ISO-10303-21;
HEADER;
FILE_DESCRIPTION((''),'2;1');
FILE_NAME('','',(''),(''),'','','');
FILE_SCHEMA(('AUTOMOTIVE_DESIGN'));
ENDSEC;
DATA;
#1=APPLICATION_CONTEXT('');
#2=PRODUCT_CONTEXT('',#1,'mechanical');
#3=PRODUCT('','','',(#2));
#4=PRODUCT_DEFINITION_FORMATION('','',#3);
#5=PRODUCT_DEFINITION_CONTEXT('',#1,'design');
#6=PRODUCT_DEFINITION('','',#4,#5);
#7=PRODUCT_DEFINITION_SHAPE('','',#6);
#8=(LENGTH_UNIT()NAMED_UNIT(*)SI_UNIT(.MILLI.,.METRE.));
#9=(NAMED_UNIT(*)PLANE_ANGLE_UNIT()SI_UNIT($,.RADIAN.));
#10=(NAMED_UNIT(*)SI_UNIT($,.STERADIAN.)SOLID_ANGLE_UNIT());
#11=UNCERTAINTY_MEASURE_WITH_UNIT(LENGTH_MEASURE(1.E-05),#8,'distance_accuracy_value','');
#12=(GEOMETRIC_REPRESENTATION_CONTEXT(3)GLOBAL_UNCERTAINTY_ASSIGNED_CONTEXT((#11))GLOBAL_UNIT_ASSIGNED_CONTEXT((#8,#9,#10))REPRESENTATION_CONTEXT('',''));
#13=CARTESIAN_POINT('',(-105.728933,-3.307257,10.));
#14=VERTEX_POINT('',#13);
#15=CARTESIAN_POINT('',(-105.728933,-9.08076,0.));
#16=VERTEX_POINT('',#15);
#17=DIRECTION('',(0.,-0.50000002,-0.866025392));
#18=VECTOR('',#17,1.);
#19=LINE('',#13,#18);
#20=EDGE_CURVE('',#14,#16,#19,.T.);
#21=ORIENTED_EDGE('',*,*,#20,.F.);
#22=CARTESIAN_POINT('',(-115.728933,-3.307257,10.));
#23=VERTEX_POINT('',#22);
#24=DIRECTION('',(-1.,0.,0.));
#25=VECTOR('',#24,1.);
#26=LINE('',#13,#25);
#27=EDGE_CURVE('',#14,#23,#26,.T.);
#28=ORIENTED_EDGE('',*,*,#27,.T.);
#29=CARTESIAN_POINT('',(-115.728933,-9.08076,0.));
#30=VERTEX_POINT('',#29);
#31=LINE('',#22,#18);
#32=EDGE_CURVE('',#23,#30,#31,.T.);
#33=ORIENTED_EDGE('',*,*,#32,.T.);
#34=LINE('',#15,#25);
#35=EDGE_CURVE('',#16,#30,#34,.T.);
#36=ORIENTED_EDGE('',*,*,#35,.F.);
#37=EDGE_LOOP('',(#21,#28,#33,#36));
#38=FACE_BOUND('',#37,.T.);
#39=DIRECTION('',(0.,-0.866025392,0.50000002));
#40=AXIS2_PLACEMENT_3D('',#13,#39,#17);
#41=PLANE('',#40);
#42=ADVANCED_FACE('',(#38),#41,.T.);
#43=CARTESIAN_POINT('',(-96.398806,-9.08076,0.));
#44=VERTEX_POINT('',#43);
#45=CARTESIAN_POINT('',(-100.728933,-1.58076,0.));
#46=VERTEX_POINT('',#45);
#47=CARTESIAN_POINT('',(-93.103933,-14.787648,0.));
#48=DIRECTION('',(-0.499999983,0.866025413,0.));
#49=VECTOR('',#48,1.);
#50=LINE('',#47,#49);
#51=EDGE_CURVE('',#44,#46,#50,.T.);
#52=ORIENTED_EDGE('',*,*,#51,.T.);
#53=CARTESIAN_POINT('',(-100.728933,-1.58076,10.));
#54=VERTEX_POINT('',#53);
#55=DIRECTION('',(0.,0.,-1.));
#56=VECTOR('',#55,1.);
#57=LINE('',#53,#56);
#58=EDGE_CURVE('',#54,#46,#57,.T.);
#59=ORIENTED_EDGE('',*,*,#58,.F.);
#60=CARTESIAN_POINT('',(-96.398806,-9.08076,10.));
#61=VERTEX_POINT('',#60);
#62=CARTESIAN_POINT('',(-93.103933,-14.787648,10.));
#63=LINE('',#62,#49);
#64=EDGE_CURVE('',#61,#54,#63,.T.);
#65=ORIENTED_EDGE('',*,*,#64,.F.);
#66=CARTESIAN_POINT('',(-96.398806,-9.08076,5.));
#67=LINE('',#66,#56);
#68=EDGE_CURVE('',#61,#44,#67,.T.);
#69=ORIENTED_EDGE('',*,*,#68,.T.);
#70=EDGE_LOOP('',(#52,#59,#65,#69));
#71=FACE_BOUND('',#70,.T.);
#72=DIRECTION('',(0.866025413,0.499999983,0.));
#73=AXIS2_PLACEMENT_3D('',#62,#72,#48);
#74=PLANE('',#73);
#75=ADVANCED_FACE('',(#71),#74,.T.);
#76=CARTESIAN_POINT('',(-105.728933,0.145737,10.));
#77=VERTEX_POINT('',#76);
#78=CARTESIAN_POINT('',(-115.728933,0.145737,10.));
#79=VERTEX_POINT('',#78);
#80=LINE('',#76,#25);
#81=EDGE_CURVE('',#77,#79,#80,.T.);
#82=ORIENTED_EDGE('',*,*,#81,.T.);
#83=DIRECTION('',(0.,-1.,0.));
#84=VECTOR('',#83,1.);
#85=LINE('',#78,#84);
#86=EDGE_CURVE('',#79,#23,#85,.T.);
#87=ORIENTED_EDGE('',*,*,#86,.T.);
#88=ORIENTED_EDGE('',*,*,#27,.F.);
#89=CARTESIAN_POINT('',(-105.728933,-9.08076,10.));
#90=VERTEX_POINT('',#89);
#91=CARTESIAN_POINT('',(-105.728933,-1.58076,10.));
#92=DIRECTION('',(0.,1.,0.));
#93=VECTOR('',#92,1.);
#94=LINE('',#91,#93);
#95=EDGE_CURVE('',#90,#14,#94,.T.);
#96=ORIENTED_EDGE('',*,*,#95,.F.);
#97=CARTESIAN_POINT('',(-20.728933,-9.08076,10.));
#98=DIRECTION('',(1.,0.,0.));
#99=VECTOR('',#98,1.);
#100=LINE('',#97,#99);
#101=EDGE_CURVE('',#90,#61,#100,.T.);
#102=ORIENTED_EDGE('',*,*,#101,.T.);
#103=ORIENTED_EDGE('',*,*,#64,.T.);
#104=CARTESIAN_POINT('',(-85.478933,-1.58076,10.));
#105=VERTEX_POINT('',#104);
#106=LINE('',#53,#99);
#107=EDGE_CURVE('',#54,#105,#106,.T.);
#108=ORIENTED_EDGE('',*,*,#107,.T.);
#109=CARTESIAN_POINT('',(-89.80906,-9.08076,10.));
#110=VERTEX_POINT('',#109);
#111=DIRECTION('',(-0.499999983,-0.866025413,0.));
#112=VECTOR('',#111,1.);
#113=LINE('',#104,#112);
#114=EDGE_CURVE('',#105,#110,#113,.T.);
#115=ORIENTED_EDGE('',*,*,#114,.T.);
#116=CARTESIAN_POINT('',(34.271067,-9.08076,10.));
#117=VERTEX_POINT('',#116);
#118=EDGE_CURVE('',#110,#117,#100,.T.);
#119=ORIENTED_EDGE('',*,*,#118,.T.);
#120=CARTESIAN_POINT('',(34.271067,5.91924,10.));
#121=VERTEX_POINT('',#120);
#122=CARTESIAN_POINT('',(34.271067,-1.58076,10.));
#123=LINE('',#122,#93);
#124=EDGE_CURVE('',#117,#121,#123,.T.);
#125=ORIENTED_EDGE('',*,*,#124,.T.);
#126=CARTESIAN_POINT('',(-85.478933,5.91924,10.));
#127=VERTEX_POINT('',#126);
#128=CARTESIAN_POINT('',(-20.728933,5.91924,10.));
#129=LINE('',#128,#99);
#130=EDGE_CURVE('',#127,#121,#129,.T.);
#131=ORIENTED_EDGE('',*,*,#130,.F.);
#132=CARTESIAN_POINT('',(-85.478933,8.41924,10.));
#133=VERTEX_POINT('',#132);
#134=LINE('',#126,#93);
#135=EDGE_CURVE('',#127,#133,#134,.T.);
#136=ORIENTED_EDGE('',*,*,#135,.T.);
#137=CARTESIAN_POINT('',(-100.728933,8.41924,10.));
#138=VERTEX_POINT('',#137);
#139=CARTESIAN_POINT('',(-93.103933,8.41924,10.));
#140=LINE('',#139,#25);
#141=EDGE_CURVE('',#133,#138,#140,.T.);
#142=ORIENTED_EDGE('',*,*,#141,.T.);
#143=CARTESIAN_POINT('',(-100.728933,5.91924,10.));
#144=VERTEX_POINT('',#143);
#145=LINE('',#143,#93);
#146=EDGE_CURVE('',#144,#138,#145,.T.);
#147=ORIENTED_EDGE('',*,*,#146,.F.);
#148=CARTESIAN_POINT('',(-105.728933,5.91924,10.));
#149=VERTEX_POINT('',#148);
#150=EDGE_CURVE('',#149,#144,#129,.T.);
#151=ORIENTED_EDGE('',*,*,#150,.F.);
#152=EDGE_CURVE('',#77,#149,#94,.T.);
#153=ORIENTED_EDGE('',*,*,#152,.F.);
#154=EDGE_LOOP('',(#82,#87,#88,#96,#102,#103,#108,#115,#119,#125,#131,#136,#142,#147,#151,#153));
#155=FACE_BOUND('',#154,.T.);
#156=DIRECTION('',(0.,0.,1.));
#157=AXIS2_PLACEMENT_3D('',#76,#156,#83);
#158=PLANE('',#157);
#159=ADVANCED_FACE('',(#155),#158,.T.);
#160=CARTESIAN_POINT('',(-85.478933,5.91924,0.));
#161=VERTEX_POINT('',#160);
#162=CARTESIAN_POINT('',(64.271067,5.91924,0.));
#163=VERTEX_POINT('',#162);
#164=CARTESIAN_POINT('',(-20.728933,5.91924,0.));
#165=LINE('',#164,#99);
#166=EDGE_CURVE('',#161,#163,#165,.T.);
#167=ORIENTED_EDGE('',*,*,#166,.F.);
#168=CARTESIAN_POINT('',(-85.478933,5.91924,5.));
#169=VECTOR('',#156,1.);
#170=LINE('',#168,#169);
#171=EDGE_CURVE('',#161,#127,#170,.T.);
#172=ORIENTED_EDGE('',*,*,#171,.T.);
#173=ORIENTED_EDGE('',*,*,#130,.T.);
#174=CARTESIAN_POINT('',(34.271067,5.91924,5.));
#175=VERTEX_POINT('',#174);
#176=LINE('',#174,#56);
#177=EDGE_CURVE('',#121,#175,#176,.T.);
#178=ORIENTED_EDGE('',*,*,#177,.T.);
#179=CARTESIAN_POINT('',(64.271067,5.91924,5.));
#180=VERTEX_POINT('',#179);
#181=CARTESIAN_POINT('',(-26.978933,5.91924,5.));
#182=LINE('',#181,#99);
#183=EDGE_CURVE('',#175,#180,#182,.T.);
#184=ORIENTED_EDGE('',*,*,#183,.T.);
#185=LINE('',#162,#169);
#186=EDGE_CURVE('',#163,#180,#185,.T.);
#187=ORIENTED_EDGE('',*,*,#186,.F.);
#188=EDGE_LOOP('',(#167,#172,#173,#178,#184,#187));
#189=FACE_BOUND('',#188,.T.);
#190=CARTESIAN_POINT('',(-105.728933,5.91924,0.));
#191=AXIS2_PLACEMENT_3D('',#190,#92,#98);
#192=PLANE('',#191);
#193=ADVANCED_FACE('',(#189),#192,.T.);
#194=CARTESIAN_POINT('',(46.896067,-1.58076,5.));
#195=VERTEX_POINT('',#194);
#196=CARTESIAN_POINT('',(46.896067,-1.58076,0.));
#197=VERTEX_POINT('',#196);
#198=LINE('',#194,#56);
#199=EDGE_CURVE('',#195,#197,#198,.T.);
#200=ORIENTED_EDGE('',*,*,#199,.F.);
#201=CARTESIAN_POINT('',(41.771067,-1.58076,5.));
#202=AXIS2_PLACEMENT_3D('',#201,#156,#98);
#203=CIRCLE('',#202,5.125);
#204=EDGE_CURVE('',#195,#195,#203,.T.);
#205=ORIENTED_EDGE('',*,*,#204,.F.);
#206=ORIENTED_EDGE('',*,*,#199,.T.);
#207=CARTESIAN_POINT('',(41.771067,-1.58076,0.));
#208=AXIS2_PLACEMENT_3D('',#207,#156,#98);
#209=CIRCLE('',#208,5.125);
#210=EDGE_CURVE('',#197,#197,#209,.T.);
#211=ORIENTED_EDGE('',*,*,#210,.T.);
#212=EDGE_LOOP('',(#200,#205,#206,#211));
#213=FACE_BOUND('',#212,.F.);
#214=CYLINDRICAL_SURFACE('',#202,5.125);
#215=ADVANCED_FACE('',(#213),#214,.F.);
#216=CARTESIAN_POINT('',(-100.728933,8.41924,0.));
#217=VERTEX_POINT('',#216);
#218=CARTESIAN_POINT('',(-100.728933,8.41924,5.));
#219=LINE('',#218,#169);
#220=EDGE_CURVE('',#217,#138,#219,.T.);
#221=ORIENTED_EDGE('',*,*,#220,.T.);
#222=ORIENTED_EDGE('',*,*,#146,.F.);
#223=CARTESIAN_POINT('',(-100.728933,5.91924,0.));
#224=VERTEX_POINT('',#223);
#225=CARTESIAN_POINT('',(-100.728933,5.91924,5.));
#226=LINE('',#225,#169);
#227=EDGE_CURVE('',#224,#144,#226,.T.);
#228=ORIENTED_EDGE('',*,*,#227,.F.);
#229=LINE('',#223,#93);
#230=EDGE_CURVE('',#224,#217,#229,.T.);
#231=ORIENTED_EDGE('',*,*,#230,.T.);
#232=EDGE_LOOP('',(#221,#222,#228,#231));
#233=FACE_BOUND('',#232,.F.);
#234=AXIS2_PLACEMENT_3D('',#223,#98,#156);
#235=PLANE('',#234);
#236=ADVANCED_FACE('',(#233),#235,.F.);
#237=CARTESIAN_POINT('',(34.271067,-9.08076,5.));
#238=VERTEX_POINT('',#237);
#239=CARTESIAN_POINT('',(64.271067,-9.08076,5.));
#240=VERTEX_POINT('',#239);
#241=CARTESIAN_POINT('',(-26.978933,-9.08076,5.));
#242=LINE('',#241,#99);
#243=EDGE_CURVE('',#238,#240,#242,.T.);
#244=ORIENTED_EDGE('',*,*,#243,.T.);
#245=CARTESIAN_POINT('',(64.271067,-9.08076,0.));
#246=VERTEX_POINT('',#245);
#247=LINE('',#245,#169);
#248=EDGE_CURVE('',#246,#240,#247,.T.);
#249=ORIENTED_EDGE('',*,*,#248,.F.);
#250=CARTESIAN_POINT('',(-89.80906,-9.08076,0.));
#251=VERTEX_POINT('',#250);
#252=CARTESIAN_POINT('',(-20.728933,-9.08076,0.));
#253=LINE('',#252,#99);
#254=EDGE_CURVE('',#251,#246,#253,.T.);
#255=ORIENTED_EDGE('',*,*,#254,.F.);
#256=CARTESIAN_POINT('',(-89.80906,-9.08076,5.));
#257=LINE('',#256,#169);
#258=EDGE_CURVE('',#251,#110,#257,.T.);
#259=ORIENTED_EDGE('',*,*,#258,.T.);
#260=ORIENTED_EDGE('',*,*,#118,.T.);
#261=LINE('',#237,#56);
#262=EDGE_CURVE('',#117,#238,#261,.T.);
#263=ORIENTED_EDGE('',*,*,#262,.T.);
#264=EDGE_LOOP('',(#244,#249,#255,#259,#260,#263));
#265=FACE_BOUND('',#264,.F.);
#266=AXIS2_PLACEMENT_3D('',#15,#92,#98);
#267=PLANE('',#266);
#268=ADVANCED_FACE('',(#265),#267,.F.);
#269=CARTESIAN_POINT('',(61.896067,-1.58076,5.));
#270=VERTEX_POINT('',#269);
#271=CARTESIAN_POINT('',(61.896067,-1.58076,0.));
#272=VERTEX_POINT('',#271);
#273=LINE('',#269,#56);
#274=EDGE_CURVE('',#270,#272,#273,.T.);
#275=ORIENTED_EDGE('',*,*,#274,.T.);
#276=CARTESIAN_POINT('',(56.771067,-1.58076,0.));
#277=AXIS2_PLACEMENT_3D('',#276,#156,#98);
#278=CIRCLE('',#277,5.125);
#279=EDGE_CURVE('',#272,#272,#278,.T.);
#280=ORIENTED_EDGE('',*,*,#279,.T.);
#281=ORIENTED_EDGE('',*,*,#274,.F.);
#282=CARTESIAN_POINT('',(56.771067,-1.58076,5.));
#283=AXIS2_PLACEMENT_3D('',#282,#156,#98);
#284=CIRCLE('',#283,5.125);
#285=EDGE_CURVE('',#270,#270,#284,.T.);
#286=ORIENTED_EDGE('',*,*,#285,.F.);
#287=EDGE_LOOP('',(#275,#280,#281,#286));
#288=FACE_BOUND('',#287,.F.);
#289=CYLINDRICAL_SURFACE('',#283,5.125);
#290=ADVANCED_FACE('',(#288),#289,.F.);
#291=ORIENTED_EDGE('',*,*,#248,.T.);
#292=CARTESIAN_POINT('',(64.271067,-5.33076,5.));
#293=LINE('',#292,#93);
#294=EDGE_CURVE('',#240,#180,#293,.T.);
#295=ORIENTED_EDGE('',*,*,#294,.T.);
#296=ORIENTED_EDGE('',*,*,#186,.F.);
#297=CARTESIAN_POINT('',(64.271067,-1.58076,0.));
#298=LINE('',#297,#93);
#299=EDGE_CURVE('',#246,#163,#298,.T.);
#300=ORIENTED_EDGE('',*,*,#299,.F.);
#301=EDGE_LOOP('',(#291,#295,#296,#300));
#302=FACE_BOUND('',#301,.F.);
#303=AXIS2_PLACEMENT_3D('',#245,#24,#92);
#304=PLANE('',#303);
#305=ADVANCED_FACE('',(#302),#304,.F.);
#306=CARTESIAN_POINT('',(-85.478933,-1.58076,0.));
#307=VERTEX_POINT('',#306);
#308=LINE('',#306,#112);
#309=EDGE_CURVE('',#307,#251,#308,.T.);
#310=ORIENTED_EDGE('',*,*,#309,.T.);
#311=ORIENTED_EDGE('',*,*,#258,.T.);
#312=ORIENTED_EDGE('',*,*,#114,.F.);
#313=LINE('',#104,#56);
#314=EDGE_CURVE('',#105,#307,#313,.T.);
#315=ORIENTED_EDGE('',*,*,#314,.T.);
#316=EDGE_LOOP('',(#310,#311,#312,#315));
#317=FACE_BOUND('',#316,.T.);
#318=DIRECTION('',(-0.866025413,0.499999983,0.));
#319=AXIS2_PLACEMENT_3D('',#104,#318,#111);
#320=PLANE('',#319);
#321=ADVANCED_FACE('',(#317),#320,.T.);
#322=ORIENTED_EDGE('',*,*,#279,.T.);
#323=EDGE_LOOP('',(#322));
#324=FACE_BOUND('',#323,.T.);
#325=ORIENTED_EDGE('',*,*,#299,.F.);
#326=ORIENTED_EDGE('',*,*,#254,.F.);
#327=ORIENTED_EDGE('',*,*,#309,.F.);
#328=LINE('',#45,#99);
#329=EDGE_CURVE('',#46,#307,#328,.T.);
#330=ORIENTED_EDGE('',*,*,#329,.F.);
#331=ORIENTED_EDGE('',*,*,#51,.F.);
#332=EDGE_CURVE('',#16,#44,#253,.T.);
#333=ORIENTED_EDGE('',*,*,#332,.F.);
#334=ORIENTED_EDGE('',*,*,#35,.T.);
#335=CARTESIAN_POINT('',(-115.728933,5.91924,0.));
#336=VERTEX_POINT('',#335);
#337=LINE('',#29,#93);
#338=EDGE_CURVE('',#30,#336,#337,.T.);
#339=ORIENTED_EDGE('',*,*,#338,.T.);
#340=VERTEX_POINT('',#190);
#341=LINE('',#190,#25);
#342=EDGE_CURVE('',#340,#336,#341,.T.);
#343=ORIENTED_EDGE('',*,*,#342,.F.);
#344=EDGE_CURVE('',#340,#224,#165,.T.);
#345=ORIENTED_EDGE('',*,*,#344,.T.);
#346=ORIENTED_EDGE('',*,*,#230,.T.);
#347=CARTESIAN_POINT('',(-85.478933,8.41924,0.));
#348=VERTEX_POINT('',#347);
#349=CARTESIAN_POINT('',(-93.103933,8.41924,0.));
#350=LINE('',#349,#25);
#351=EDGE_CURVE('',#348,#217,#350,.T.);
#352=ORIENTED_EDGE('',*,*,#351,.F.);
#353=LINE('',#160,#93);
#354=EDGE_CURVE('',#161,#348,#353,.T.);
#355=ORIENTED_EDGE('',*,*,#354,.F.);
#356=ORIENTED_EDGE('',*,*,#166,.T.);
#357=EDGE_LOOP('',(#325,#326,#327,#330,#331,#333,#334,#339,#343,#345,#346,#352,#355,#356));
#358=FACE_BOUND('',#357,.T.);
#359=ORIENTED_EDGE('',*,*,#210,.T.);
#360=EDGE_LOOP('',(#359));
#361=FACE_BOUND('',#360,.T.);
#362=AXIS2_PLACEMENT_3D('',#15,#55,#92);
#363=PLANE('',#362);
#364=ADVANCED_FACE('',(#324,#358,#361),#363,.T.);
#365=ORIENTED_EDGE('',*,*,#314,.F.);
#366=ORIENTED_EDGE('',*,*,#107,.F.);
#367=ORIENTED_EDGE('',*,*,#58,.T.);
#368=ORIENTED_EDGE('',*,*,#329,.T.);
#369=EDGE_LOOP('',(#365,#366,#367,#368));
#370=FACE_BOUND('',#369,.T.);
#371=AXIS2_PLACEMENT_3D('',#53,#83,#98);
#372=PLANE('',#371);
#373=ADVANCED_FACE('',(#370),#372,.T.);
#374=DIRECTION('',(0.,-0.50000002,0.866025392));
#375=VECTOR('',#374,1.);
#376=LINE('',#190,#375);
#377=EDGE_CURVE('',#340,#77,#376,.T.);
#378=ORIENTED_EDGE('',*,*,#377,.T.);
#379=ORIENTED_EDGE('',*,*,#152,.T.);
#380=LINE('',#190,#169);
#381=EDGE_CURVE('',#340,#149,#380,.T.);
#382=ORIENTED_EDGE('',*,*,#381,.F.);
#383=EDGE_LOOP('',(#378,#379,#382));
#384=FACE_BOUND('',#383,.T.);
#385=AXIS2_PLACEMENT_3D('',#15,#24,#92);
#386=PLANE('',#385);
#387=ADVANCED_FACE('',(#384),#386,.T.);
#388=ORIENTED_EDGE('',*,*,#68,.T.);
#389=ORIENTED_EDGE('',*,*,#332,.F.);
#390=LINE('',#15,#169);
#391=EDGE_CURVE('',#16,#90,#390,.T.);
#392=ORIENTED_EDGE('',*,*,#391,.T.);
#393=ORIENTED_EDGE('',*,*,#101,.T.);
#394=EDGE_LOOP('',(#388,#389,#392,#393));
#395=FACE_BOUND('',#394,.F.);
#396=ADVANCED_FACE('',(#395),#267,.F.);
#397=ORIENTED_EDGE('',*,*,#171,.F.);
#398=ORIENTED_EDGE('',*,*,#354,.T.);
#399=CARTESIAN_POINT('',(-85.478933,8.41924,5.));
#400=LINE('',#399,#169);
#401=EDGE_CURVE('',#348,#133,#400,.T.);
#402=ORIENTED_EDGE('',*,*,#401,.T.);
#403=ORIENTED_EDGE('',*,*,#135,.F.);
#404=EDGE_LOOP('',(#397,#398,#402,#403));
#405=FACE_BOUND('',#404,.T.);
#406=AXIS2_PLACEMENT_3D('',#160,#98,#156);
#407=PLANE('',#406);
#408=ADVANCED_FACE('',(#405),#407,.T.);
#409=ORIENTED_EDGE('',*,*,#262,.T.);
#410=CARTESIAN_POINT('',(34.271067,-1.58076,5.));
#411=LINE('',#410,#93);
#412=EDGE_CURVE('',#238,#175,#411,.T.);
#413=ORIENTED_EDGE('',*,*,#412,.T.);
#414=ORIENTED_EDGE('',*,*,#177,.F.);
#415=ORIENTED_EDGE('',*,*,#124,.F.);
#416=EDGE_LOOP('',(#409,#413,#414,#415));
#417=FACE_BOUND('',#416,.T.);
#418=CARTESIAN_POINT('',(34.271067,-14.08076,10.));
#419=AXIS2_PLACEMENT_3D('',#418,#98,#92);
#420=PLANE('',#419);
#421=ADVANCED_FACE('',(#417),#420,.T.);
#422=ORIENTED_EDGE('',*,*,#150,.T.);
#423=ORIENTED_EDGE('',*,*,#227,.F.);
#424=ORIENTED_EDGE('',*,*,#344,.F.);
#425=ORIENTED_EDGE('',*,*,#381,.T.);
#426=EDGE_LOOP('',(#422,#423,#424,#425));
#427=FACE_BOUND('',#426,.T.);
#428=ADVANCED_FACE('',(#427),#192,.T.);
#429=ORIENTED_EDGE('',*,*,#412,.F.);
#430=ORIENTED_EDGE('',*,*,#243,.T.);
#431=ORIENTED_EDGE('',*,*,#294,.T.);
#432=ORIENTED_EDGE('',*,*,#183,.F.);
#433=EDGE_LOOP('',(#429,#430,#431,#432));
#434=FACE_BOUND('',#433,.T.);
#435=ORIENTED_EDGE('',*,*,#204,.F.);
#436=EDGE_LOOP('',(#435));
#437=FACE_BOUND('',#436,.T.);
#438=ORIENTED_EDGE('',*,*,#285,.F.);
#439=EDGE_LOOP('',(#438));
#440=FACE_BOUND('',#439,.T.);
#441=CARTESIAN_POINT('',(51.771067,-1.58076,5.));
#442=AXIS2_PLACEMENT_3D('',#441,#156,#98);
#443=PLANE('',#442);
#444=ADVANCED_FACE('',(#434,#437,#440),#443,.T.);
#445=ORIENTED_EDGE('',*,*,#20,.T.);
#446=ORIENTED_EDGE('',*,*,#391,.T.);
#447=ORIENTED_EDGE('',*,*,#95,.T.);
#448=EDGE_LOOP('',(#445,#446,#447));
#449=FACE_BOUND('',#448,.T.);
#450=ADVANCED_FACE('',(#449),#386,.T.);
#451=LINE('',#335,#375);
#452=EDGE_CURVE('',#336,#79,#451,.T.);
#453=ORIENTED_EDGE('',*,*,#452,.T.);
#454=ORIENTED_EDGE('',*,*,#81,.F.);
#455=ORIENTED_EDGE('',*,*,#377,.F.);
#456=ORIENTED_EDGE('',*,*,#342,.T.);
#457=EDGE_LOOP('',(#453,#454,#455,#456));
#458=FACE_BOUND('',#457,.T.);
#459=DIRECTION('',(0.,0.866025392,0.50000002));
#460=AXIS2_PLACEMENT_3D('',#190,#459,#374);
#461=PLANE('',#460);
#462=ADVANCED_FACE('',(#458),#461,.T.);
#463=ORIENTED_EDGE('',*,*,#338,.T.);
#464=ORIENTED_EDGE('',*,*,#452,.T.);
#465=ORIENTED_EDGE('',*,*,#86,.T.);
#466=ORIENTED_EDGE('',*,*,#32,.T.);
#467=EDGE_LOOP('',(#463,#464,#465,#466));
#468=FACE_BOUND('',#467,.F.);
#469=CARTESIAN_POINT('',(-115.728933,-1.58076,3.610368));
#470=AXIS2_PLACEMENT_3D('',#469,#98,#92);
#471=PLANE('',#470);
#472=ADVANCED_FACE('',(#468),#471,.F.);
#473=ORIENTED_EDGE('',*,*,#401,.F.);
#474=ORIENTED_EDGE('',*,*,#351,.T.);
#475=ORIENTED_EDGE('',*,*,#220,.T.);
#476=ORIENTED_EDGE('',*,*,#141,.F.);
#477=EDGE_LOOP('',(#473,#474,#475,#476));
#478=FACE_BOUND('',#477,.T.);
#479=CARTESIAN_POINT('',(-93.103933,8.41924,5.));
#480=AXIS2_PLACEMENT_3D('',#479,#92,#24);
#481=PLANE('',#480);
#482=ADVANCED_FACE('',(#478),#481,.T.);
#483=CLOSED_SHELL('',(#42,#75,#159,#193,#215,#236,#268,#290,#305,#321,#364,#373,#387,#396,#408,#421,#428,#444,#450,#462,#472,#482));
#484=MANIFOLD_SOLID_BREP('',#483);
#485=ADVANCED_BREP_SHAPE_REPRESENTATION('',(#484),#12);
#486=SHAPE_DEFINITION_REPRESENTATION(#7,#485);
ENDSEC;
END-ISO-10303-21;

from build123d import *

# Parameters (mm, degrees)
SKETCH_W        = 170
SKETCH_H        = 15
PAD_DEPTH       = 10
SKETCH001_W     = 35
SKETCH001_H     = 25
POCKET_DEPTH    = 5
PAD002_DEPTH    = 10
POCKET001_DEPTH = 10
SKETCH002_R     = 5.125
POCKET002_DEPTH = 5
SKETCH005_W     = 15.25
SKETCH005_H     = 10
PAD003_DEPTH    = 2.5


with BuildPart() as part:
    # Sketch → Pad (new body)
    with BuildSketch(Plane.XY):
        with Locations((-20.728933, -1.58076)):
            Rectangle(SKETCH_W, SKETCH_H)
    extrude(amount=PAD_DEPTH)

    # Sketch001 (on Face6 of Pad) → Pocket (cut)
    with BuildSketch(Plane.XY.offset(10)):
        with Locations((51.771067, -1.58076)):
            Rectangle(SKETCH001_W, SKETCH001_H)
    extrude(amount=-POCKET_DEPTH, mode=Mode.SUBTRACT)

    # Sketch003 → Pad002 (join)
    with BuildSketch(Plane(origin=(-105.728933, 0, 0), x_dir=(0, -1, 0), z_dir=(-1, 0, 0))):
        Polygon((-5.91924, 0), (-0.145737, 10), (3.307257, 10), (9.08076, 0), align=None)
    extrude(amount=PAD002_DEPTH)

    # Sketch004 (on Face3 of Pad002) → Pocket001 (cut)
    with BuildSketch(Plane.XY.offset(10)):
        Polygon((-93.103933, -14.787648), (-100.728933, -1.58076), (-85.478933, -1.58076), align=None)
    extrude(amount=-POCKET001_DEPTH, mode=Mode.SUBTRACT)

    # Sketch002 (on Face7 of Pocket) → Pocket002 (cut)
    with BuildSketch(Plane.XY.offset(5)):
        with Locations((56.771067, -1.58076)):
            Circle(SKETCH002_R)
        with Locations((41.771067, -1.58076)):
            Circle(SKETCH002_R)
    extrude(amount=-POCKET002_DEPTH, mode=Mode.SUBTRACT)

    # Sketch005 (on Face9 of Pocket002) → Pad003 (join)
    with BuildSketch(Plane(origin=(0, 5.91924, 0), x_dir=(-1, 0, 0), z_dir=(0, 1, 0))):
        with Locations((93.103933, 5)):
            Rectangle(SKETCH005_W, SKETCH005_H)
    extrude(amount=PAD003_DEPTH)


solid = part.part
